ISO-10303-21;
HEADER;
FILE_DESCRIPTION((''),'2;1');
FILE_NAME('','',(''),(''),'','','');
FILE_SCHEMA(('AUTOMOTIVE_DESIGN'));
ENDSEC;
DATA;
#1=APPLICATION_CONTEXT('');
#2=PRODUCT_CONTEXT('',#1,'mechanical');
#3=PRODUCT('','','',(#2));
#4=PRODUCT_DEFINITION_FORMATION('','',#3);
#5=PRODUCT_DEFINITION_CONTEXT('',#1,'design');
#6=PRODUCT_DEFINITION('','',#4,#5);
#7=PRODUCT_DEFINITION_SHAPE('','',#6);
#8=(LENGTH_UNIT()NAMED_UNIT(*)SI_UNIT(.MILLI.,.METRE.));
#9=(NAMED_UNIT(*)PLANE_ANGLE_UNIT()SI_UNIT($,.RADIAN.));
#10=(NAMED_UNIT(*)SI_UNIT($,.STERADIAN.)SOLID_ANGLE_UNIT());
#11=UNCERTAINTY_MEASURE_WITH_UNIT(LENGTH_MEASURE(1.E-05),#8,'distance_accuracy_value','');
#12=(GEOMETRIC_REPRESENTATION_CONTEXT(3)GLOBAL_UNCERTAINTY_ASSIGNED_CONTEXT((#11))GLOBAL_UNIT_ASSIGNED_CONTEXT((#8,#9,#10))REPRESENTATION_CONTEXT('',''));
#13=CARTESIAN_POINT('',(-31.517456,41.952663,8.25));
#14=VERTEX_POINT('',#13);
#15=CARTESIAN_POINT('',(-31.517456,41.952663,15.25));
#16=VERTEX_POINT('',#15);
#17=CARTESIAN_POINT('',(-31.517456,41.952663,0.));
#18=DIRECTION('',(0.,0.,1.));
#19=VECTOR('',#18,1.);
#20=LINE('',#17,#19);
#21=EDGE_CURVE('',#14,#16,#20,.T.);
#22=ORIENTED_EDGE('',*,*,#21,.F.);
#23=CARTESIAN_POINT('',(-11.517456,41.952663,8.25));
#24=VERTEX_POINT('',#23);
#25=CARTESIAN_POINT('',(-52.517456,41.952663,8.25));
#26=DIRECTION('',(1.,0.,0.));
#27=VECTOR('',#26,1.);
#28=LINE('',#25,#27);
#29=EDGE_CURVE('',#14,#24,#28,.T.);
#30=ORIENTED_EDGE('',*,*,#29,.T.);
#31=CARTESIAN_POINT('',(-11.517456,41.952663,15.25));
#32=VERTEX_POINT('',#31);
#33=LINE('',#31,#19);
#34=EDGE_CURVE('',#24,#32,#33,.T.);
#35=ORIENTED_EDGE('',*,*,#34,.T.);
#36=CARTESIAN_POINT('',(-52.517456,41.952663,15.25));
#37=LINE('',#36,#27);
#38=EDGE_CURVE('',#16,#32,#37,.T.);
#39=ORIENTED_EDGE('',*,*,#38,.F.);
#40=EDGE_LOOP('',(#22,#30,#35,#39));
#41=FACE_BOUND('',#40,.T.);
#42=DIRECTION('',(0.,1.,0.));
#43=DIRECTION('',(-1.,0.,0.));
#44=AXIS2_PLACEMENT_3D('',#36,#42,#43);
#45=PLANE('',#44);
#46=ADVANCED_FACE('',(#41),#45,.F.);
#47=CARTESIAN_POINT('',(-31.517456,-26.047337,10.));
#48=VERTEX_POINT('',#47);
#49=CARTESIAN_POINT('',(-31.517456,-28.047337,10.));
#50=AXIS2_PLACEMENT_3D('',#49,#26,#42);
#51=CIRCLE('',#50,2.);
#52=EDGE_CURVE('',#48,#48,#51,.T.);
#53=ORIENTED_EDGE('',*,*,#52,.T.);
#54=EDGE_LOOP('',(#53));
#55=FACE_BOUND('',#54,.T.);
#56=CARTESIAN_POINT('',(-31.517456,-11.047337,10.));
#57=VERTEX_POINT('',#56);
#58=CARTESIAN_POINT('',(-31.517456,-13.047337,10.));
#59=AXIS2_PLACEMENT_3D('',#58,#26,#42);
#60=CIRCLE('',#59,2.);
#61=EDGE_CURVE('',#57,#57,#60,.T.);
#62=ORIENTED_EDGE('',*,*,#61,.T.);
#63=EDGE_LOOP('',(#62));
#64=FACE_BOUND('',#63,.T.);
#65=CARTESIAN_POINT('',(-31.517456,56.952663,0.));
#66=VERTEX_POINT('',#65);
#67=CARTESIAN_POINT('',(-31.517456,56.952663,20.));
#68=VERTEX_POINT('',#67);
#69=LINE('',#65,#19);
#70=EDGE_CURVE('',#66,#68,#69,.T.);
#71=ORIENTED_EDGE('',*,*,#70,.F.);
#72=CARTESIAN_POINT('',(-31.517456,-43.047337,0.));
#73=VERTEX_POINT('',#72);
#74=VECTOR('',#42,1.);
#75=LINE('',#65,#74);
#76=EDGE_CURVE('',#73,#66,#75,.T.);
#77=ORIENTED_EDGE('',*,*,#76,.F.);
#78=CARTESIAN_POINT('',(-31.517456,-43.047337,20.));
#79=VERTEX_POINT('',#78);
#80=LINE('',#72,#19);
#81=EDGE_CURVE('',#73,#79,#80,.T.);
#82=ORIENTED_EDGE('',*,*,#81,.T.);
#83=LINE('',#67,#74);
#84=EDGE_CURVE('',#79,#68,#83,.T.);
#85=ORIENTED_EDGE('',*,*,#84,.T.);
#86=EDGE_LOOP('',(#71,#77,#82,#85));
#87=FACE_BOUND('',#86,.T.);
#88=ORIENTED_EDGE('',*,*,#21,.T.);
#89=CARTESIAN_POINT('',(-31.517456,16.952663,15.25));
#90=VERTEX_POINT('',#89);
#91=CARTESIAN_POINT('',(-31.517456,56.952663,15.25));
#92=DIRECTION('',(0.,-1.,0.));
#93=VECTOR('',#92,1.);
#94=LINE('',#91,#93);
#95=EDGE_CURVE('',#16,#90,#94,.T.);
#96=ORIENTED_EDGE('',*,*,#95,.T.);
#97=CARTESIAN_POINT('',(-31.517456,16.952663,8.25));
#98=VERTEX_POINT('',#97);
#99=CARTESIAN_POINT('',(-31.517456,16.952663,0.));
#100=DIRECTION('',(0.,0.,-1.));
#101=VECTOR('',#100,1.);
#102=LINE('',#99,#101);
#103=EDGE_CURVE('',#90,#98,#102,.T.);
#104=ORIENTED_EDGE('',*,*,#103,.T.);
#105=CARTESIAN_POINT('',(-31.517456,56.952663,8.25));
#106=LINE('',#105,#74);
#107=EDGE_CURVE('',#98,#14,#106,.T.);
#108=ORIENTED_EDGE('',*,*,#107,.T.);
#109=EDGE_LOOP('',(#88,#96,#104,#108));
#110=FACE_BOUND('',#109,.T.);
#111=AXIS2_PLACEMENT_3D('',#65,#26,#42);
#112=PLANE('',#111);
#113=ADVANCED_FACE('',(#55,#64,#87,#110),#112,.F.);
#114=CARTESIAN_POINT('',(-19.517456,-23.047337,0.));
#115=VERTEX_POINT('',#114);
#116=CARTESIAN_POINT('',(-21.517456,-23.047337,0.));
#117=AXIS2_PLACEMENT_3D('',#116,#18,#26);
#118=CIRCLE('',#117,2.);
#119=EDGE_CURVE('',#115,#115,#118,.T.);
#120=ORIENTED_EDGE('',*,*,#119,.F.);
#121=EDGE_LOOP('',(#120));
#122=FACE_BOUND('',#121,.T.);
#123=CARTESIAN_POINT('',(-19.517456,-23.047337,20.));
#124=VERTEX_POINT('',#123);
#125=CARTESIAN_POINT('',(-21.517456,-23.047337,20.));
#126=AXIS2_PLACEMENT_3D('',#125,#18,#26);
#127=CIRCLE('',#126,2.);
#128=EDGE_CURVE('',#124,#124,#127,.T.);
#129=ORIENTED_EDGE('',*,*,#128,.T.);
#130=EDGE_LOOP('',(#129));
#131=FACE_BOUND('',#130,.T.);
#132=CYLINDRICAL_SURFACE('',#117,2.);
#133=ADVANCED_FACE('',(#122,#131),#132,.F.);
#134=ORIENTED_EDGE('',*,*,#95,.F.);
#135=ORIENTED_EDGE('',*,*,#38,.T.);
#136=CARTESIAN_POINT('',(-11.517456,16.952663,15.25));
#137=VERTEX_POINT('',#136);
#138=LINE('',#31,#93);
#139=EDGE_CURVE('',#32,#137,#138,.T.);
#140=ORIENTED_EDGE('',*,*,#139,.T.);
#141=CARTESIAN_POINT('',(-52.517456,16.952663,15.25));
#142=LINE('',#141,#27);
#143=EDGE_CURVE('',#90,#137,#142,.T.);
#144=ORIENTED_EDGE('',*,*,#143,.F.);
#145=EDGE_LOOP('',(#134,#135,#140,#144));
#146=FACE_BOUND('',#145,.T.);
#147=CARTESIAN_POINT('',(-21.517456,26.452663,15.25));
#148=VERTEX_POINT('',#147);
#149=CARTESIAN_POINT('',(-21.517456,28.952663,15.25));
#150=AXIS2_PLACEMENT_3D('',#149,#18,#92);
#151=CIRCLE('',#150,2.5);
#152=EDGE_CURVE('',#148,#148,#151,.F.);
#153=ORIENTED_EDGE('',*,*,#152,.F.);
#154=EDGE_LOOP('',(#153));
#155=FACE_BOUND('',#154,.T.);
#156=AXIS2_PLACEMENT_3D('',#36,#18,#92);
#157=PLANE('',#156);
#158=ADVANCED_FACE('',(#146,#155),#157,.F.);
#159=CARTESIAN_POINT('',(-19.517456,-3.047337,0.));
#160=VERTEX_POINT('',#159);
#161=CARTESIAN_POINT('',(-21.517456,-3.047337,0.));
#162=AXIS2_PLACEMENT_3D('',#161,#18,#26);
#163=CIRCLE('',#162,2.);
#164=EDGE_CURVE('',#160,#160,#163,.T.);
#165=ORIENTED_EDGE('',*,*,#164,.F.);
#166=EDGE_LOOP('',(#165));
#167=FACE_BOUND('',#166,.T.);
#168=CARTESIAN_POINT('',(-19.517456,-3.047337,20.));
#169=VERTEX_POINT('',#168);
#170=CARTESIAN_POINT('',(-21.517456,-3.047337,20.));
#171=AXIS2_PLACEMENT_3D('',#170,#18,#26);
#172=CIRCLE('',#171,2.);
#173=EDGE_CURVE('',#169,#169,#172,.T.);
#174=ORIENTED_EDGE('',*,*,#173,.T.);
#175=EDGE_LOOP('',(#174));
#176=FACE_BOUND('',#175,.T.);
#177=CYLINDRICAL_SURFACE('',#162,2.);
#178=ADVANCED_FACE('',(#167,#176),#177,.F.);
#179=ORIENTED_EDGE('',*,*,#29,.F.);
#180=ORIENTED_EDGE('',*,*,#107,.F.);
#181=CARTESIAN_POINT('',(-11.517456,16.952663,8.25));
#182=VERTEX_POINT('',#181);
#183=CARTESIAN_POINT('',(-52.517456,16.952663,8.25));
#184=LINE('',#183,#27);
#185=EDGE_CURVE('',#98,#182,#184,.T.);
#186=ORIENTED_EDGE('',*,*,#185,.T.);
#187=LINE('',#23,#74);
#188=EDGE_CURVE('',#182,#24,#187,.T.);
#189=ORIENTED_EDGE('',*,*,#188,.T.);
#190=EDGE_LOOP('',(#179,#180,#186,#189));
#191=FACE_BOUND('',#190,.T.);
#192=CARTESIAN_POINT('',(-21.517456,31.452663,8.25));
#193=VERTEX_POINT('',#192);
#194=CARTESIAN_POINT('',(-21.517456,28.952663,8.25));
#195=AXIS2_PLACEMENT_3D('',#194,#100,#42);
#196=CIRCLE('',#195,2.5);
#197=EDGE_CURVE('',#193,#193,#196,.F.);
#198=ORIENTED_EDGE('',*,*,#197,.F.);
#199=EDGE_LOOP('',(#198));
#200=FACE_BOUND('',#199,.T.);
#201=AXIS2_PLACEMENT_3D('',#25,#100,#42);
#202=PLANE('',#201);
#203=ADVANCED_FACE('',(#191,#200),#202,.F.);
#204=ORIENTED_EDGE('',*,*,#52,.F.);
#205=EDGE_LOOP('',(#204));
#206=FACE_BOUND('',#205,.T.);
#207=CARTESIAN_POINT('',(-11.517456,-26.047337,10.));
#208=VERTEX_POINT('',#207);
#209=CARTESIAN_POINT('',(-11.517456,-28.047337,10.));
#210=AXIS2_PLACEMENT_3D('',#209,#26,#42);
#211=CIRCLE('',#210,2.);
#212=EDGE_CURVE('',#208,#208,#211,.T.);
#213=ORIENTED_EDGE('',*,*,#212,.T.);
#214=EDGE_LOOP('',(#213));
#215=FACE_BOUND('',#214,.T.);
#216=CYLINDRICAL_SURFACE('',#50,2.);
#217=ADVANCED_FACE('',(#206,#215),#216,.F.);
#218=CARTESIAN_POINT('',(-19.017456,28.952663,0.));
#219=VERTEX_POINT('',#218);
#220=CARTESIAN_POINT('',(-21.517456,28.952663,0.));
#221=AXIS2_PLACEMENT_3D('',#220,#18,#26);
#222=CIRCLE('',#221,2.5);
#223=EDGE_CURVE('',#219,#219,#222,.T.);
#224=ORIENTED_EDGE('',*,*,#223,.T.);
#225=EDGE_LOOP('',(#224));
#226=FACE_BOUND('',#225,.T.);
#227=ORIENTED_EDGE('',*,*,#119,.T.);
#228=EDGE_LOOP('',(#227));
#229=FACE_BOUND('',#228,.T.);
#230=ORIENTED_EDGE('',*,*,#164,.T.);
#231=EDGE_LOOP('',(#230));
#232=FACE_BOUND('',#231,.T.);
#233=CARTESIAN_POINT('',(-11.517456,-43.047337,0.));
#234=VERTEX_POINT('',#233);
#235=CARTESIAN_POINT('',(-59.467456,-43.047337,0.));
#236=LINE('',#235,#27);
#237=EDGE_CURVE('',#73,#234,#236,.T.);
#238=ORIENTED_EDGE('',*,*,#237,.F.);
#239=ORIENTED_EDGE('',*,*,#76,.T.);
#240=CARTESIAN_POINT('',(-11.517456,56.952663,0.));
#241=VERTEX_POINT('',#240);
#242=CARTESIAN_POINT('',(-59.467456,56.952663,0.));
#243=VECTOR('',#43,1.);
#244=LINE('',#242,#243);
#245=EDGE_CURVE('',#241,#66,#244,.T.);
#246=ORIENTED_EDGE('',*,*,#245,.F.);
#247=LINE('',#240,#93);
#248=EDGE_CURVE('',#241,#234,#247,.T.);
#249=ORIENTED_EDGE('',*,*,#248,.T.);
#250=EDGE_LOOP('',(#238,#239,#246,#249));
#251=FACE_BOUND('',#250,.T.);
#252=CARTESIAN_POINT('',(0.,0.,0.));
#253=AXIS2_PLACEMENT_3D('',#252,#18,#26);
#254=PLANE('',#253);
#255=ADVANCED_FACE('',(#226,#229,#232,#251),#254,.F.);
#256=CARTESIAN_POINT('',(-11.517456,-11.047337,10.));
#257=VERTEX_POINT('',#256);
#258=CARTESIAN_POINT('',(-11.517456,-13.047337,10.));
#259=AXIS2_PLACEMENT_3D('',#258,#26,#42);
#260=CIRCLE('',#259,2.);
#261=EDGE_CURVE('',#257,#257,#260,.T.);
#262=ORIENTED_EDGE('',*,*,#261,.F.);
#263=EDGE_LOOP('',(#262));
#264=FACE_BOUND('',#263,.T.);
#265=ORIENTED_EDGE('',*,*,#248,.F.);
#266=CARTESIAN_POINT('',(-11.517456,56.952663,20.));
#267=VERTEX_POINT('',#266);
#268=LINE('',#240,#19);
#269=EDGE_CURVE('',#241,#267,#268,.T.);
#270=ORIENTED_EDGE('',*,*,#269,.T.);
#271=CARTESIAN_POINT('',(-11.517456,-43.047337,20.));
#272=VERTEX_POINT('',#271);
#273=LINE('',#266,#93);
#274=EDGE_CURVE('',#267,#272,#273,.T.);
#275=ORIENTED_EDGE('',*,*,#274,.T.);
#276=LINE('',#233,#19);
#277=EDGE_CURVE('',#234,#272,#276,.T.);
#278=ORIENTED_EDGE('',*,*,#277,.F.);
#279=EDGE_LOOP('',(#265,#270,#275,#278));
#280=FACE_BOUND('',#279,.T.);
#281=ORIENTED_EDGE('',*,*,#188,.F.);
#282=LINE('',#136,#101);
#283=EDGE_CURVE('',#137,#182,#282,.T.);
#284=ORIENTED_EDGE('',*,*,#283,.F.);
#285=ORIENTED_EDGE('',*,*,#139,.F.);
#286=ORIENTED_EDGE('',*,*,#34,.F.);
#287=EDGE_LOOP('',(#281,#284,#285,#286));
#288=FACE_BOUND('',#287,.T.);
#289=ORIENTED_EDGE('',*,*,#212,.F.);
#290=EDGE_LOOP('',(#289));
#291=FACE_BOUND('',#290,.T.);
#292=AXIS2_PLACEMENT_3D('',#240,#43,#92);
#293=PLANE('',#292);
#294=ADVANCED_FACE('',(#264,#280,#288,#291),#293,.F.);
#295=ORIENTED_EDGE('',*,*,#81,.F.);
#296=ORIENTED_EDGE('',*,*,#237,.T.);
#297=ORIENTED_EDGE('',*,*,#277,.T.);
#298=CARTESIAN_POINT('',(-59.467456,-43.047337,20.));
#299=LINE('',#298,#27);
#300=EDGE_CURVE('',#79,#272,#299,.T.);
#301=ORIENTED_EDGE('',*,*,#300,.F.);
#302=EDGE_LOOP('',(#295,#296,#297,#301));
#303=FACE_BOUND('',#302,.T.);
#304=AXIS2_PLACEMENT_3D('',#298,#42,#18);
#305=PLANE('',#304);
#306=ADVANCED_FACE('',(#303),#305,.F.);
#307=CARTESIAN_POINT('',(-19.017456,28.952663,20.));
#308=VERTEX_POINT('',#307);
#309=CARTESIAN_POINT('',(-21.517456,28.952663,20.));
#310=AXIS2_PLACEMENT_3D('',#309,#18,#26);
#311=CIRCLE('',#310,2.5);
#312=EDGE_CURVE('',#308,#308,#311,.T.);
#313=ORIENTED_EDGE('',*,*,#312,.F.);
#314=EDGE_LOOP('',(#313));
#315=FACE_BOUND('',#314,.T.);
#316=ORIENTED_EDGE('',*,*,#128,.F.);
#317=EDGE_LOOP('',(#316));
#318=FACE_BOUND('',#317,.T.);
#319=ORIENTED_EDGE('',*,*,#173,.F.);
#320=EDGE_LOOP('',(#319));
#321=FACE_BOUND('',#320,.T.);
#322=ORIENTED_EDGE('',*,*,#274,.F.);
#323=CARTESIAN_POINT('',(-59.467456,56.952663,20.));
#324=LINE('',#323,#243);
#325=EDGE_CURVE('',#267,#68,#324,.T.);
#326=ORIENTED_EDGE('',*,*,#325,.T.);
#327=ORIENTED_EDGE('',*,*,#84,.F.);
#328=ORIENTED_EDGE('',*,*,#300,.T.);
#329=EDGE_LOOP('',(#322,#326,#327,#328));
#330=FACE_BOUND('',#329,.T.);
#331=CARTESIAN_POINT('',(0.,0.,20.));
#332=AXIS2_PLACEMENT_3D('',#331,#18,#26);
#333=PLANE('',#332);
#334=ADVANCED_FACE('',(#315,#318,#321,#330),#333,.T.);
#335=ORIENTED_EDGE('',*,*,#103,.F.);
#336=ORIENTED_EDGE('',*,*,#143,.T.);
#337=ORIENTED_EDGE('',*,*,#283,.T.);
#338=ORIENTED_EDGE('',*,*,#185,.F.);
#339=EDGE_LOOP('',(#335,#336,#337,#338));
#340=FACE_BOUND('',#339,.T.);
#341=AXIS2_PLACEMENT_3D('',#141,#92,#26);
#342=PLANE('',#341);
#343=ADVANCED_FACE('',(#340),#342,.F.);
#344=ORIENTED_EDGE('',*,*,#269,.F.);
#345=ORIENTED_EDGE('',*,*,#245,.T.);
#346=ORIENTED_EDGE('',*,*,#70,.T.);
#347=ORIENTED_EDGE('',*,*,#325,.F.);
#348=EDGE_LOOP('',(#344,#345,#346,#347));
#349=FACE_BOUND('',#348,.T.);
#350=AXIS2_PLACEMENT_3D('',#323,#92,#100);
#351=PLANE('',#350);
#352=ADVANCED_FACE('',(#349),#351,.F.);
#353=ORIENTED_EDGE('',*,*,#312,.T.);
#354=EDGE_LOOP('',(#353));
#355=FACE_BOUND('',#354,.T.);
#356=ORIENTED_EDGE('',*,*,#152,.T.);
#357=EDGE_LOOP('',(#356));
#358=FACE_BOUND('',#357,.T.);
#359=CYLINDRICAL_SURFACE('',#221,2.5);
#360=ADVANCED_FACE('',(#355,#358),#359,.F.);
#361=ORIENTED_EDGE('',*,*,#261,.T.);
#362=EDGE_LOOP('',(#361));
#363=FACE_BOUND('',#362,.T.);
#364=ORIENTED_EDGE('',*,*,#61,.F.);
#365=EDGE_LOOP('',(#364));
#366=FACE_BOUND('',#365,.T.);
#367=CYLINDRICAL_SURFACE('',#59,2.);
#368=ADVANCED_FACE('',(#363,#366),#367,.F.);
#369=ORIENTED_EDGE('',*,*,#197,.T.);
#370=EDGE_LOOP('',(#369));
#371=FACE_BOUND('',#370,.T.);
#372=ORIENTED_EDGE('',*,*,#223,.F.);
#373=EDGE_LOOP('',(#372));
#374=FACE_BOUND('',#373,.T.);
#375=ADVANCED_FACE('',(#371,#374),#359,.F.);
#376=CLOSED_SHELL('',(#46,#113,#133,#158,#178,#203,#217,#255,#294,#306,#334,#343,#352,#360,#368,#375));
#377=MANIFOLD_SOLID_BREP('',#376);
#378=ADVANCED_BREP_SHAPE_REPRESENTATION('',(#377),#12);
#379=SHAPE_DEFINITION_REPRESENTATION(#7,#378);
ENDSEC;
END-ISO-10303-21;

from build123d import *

# Parameters (mm, degrees)
SKETCH1_W           = 75.9
SKETCH1_H           = 100
BOSS_EXTRUDE1_DEPTH = 20
SKETCH2_R           = 2.5
CUT_EXTRUDE1_DEPTH  = 85.734786653
SKETCH3_W           = 27.95
SKETCH3_H           = 100
CUT_EXTRUDE2_DEPTH  = 85.734786653
SKETCH4_W           = 7
SKETCH4_H           = 25
CUT_EXTRUDE3_DEPTH  = 41
SKETCH5_R           = 2
CUT_EXTRUDE4_DEPTH  = 69.0951966
SKETCH6_R           = 2
CUT_EXTRUDE5_DEPTH  = 64.589352813


with BuildPart() as part:
    # Sketch1 → Boss-Extrude1 (new body)
    with BuildSketch(Plane.XY):
        with Locations((-21.517455621, 6.952662722)):
            Rectangle(SKETCH1_W, SKETCH1_H)
    extrude(amount=BOSS_EXTRUDE1_DEPTH)

    # Sketch2 → Cut-Extrude1 (cut, through all)
    with BuildSketch(Plane.XY.offset(20)):
        with Locations((-21.517455621, 28.952662722)):
            Circle(SKETCH2_R)
    extrude(amount=-CUT_EXTRUDE1_DEPTH, mode=Mode.SUBTRACT)

    # Sketch3 → Cut-Extrude2 (cut, through all)
    with BuildSketch(Plane.XY.offset(20)):
        with Locations((-45.492455621, 6.952662722)):
            Rectangle(SKETCH3_W, SKETCH3_H)
        with Locations((2.457544379, 6.952662722)):
            Rectangle(SKETCH3_W, SKETCH3_H)
    extrude(amount=-CUT_EXTRUDE2_DEPTH, mode=Mode.SUBTRACT)

    # Sketch4 → Cut-Extrude3 (cut)
    with BuildSketch(Plane(origin=(-11.517455621, 0, 0), x_dir=(0, 0, -1), z_dir=(1, 0, 0))):
        with Locations((-11.75, 29.452662722)):
            Rectangle(SKETCH4_W, SKETCH4_H)
    extrude(amount=-CUT_EXTRUDE3_DEPTH, mode=Mode.SUBTRACT)

    # Sketch5 → Cut-Extrude4 (cut, through all)
    with BuildSketch(Plane.XY.offset(20)):
        with Locations((-21.517455621, -3.047337278)):
            Circle(SKETCH5_R)
        with Locations((-21.517455621, -23.047337278)):
            Circle(SKETCH5_R)
    extrude(amount=-CUT_EXTRUDE4_DEPTH, mode=Mode.SUBTRACT)

    # Sketch6 → Cut-Extrude5 (cut, through all)
    with BuildSketch(Plane(origin=(-11.517455621, 0, 0), x_dir=(0, 0, -1), z_dir=(1, 0, 0))):
        with Locations(Location((-10, -13.047337278, 0), (0, 0, 90))):
            Circle(SKETCH6_R)
        with Locations(Location((-10, -28.047337278, 0), (0, 0, 90))):
            Circle(SKETCH6_R)
    extrude(amount=-CUT_EXTRUDE5_DEPTH, mode=Mode.SUBTRACT)


solid = part.part
